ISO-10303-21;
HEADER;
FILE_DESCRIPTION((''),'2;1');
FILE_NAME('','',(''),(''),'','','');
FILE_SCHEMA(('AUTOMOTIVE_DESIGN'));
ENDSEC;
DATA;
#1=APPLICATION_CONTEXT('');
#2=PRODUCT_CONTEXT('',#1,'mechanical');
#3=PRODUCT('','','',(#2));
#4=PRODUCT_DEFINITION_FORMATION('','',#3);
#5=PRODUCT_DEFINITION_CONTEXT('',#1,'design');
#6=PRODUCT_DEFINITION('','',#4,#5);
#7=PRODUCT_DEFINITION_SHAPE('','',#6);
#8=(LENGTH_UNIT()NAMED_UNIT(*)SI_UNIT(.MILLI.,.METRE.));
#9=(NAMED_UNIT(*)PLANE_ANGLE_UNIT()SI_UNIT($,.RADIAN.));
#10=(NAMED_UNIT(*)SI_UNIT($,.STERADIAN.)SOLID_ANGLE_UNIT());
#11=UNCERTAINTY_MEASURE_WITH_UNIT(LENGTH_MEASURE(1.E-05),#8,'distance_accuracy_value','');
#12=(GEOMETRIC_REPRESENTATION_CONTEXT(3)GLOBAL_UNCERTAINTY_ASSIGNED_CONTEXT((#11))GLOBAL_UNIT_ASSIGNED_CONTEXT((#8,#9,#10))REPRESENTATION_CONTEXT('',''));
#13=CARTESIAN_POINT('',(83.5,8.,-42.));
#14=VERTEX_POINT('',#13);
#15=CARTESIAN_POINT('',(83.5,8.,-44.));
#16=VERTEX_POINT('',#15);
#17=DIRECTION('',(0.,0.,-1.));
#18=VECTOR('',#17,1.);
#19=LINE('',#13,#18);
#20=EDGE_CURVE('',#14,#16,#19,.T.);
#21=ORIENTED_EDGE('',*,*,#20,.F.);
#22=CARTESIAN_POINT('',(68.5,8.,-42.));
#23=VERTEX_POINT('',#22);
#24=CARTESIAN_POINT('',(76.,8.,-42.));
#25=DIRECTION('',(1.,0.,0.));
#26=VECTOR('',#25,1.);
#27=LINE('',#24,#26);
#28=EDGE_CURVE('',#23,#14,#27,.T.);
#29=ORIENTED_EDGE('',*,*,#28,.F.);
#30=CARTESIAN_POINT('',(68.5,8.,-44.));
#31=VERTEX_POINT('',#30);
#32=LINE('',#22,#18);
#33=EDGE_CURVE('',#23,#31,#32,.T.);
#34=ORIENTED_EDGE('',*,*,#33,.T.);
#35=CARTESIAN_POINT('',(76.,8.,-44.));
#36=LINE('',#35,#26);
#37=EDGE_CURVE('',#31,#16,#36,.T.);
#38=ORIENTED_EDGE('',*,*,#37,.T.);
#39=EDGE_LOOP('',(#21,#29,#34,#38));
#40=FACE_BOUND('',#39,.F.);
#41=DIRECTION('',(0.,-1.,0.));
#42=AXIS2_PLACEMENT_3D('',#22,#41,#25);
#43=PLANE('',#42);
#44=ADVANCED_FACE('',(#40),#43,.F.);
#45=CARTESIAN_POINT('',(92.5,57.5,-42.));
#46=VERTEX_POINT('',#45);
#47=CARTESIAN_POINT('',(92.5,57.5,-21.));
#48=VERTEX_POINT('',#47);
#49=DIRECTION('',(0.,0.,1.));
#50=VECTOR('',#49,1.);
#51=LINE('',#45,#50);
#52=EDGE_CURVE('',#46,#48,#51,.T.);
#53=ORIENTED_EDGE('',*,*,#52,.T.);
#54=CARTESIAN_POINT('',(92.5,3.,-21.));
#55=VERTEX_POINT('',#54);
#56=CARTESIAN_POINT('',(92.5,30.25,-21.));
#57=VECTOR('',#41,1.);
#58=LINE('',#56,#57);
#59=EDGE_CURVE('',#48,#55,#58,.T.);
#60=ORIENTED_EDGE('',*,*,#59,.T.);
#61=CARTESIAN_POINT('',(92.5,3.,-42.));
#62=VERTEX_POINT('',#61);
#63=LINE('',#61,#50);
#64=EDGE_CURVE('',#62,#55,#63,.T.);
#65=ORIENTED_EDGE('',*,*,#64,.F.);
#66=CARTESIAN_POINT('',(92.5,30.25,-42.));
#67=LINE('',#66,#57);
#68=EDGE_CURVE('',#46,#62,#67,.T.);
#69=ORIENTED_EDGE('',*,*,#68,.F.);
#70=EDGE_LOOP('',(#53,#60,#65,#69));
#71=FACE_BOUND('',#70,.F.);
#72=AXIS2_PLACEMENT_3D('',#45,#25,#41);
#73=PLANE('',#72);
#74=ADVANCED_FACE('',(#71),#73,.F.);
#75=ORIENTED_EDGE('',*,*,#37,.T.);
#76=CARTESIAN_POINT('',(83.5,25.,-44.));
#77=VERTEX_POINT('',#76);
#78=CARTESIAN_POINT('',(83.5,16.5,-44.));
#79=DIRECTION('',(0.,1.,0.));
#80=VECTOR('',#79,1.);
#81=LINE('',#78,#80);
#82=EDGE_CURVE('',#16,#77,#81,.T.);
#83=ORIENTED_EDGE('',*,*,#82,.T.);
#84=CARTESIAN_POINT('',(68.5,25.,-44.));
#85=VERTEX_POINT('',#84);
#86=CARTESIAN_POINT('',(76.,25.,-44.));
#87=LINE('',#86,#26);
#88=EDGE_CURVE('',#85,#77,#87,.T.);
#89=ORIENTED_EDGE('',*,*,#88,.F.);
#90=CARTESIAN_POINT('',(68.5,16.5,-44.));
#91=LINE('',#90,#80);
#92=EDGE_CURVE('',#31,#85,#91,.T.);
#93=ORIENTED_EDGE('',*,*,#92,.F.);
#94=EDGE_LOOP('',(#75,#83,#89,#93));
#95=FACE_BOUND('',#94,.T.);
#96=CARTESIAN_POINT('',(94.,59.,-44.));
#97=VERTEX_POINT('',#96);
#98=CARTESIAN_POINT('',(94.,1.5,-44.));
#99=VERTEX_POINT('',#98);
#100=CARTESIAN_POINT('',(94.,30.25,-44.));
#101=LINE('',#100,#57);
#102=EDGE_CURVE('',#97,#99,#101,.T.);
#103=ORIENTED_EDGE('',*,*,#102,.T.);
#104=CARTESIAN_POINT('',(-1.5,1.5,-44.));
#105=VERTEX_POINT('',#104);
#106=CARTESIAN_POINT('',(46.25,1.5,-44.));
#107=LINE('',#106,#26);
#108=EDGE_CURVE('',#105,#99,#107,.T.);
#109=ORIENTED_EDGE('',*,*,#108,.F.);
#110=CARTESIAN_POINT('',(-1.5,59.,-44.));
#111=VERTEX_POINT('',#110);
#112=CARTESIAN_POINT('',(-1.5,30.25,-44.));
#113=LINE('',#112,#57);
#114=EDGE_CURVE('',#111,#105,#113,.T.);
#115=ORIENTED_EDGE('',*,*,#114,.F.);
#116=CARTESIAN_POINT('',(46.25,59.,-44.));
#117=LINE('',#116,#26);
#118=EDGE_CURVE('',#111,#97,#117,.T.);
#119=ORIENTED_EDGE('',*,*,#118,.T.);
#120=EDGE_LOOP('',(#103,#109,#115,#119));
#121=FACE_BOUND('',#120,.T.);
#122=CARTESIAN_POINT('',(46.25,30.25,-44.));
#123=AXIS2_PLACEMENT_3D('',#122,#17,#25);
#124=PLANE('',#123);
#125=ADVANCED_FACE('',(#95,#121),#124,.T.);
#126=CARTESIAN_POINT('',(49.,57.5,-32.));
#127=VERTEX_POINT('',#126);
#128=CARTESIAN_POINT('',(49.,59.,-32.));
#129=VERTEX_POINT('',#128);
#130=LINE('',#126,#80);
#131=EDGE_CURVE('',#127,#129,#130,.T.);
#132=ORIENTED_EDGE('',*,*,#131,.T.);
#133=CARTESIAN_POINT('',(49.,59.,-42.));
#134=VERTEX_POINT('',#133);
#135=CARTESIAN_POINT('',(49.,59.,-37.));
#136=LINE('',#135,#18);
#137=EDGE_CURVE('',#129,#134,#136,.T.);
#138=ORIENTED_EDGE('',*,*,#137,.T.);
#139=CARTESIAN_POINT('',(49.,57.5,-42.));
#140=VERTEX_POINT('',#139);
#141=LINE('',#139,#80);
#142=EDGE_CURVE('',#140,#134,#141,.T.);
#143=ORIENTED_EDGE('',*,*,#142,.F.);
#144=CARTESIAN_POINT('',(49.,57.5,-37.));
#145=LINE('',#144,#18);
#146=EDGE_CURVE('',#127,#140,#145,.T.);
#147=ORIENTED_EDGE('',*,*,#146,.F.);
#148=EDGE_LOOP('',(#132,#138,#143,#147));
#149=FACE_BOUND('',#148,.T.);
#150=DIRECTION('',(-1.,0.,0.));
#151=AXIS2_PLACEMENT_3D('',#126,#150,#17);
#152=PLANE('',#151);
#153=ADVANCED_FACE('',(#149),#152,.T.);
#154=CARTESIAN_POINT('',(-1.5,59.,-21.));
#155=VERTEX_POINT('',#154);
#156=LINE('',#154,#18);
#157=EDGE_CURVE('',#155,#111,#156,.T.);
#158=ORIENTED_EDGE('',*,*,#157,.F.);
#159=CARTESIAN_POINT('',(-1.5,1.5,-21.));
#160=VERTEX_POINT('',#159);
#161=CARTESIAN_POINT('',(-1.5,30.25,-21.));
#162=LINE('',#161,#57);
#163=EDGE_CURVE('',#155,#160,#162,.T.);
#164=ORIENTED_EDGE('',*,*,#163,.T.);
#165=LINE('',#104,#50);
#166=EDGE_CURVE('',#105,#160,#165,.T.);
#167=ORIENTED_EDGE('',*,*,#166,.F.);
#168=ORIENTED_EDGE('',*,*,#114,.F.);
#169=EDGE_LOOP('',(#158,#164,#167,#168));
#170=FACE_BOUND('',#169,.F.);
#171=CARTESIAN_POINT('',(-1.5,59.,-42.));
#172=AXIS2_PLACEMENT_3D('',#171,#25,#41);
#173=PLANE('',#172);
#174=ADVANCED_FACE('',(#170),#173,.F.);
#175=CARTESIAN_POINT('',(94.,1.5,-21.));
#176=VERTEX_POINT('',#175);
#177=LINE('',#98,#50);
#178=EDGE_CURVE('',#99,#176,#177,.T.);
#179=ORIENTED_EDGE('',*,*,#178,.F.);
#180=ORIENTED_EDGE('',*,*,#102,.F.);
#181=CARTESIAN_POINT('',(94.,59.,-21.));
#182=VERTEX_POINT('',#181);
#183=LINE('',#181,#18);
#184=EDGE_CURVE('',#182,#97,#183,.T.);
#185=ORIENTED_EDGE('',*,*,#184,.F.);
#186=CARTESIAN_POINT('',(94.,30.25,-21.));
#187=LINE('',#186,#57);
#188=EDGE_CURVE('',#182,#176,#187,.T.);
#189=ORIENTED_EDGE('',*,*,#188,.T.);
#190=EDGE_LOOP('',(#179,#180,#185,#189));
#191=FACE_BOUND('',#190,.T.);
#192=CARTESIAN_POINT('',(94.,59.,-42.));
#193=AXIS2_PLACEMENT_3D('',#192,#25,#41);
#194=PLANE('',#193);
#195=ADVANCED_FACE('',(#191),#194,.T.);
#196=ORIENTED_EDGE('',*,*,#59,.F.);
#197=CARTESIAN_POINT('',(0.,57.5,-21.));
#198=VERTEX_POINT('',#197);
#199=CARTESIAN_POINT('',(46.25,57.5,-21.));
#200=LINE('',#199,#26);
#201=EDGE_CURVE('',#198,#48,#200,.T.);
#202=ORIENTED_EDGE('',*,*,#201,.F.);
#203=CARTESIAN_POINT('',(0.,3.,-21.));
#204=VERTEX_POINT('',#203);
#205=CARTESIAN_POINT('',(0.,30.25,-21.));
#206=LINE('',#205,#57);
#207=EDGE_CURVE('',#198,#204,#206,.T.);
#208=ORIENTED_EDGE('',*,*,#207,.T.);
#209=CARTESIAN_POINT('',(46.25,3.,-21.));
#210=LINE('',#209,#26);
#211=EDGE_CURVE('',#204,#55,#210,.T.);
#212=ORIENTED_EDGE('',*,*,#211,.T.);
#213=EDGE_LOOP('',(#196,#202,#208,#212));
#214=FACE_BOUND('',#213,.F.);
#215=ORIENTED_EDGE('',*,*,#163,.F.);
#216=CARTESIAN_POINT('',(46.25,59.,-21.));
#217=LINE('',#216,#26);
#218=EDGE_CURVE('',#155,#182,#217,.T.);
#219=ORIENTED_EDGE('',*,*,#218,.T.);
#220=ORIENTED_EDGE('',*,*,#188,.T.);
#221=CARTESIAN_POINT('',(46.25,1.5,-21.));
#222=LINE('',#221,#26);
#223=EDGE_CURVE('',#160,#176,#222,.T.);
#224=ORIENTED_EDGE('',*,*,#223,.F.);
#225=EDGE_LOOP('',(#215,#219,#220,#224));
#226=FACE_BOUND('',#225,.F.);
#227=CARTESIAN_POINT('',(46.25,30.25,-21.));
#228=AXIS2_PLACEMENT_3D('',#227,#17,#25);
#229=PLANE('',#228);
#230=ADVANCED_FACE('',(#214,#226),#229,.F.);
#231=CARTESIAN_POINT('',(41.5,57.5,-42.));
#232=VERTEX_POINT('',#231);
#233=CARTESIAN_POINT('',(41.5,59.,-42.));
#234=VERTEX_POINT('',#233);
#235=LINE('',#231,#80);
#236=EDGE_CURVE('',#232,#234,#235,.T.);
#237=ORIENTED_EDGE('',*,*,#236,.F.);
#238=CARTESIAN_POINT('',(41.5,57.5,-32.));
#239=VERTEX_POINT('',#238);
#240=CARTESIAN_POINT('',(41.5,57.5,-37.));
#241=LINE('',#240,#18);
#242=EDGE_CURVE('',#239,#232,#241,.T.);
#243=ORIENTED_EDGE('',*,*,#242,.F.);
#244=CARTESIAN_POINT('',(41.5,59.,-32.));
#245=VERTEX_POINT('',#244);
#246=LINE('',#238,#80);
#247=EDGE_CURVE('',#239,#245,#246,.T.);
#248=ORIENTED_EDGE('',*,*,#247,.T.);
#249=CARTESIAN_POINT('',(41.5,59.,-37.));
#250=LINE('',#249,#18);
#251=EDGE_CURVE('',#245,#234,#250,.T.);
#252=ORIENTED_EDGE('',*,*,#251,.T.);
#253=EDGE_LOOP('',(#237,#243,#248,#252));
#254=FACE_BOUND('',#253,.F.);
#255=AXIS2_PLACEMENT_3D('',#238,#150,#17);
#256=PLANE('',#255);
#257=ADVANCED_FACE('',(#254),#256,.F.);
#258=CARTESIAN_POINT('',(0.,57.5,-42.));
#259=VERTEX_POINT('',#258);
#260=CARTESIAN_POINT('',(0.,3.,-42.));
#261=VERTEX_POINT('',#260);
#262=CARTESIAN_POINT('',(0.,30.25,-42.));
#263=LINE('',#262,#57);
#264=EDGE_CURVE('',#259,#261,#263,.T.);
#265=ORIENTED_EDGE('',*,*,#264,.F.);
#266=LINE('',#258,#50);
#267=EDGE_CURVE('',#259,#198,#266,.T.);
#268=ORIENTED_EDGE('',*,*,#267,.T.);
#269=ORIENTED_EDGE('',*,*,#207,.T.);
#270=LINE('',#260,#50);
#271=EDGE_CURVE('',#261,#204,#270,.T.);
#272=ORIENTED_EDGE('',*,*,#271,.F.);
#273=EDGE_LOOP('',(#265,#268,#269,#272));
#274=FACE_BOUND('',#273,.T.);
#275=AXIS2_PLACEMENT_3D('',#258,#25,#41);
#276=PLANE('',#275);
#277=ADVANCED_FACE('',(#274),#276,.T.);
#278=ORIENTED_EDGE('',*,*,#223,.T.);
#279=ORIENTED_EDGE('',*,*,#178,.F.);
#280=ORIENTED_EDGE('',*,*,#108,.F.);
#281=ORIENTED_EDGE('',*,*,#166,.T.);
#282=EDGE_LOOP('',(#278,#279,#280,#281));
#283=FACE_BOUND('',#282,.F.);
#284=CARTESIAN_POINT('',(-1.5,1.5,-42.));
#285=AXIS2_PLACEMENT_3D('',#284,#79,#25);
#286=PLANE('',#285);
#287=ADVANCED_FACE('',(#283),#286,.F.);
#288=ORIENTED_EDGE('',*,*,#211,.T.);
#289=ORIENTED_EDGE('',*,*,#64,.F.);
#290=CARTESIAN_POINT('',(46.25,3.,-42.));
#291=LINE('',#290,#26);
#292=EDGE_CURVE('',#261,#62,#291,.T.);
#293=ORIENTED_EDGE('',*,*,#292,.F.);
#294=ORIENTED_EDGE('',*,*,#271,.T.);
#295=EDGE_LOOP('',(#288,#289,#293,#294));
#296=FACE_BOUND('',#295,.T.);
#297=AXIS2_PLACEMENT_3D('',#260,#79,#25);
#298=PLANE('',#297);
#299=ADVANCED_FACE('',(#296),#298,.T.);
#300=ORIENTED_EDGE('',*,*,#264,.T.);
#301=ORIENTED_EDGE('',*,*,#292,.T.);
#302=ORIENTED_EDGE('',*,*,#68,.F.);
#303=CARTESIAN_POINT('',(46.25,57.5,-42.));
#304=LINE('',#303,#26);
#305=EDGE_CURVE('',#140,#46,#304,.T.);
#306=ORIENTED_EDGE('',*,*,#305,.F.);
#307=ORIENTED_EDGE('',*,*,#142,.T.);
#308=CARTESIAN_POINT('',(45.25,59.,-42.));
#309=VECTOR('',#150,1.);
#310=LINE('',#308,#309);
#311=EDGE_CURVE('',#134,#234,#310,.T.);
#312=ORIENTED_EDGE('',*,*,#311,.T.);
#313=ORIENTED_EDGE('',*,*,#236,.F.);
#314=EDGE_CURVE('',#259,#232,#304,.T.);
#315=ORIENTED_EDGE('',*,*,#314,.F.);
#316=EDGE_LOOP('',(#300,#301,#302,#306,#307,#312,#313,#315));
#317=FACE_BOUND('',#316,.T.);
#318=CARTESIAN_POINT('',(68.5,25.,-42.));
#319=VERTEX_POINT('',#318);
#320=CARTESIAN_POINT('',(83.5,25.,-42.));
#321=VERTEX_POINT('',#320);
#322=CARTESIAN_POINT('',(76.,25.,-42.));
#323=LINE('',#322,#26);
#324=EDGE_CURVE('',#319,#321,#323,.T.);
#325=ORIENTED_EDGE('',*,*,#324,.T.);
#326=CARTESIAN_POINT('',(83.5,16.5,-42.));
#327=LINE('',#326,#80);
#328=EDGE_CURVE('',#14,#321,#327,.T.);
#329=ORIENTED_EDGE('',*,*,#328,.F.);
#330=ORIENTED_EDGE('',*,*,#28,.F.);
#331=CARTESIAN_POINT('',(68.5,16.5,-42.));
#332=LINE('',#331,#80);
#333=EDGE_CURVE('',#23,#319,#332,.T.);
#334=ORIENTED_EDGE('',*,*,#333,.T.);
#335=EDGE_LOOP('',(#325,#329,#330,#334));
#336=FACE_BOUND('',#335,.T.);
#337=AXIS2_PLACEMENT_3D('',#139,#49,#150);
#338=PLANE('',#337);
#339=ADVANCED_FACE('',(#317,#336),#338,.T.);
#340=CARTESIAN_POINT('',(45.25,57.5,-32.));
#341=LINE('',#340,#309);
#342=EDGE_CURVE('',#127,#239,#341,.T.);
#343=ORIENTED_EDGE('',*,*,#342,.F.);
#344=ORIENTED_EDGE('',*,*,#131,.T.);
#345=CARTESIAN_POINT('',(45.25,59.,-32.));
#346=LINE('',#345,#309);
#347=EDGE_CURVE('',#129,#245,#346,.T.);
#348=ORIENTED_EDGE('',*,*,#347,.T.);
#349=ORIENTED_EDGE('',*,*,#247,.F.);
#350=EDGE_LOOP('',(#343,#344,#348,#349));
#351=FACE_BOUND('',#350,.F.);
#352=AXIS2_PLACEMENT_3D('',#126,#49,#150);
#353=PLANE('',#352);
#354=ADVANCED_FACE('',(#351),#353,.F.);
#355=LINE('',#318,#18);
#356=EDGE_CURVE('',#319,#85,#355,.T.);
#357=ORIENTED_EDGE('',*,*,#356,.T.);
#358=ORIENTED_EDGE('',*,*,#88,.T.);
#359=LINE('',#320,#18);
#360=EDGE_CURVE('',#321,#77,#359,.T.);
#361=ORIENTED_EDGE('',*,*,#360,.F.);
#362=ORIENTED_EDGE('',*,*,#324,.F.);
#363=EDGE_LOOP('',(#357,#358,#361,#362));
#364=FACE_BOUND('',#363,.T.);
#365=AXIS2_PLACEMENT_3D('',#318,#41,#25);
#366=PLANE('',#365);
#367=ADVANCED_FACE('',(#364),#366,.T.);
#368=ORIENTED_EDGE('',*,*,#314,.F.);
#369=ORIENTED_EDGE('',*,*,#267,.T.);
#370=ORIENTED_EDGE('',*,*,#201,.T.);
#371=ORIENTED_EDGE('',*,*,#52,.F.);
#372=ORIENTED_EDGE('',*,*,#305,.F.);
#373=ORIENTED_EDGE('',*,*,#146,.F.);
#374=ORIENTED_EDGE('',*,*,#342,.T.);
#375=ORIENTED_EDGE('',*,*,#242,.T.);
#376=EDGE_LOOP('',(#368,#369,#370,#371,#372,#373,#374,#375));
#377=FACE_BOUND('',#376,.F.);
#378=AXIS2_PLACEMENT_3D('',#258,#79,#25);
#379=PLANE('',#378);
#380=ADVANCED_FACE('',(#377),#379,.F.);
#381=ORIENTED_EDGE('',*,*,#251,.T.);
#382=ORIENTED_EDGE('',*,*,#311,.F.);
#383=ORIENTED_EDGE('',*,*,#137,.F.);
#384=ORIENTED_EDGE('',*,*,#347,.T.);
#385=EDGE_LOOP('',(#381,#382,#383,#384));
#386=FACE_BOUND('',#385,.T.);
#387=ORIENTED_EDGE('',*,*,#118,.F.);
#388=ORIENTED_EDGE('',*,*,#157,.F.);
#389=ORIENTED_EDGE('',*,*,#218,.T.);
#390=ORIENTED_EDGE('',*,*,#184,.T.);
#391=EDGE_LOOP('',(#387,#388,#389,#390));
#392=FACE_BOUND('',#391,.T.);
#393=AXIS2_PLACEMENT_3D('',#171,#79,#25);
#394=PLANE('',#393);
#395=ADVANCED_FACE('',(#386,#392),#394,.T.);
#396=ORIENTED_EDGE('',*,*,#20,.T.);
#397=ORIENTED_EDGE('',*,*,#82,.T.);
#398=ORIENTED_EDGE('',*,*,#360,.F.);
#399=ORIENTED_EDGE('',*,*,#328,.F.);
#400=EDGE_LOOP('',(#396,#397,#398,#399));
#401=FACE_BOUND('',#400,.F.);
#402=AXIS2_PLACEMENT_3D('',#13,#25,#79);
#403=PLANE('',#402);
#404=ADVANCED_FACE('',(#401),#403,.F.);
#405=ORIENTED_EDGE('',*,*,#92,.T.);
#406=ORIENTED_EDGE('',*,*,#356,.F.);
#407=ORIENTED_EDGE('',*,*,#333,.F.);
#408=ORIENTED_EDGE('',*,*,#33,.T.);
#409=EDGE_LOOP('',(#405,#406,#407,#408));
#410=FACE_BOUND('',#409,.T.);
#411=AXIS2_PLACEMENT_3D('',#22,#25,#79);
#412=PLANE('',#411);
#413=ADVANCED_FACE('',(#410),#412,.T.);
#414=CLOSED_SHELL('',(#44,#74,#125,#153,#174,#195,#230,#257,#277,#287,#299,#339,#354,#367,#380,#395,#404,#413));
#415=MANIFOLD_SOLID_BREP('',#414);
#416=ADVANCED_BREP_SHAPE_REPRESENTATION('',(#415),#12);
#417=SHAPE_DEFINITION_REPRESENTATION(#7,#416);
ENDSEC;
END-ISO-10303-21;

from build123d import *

# Parameters (mm, degrees)
F0_W     = 95.5
F0_H     = 57.5
F0_W_2   = 92.5
F0_H_2   = 54.5
F0_W_3   = 90.5
F0_H_3   = 52.5
F1_DEPTH = 2
F2_DEPTH = 21
F3_W     = 7.5
F3_H     = 10
F4_DEPTH = 1.5
F5_W     = 15
F5_H     = 17
F6_DEPTH = 2
F7_ANGLE = 180


with BuildPart() as f1:
    # F0 (on Top) → F1 (new body)
    with BuildSketch(Plane.XY):
        with Locations((46.25, -27.25)):
            Rectangle(F0_W, F0_H)
        with Locations((46.25, -27.25)):
            Rectangle(F0_W_2, F0_H_2, mode=Mode.SUBTRACT)
        with Locations((46.25, -27.25)):
            Rectangle(F0_W_2, F0_H_2)
        with Locations((46.25, -27.25)):
            Rectangle(F0_W_3, F0_H_3, mode=Mode.SUBTRACT)
        with Locations((46.25, -27.25)):
            Rectangle(F0_W_3, F0_H_3)
    extrude(amount=F1_DEPTH)

    # F0 (on Top) → F2 (join)
    with BuildSketch(Plane.XY):
        with Locations((46.25, -27.25)):
            Rectangle(F0_W, F0_H)
        with Locations((46.25, -27.25)):
            Rectangle(F0_W_2, F0_H_2, mode=Mode.SUBTRACT)
    extrude(amount=-F2_DEPTH)

    # F3 (on face) → F4 (cut, through all)
    with BuildSketch(Plane(origin=(0, -54.5, 0), x_dir=(-1, 0, 0), z_dir=(0, 1, 0))):
        with Locations((-45.25, -5)):
            Rectangle(F3_W, F3_H)
    extrude(amount=-F4_DEPTH, mode=Mode.SUBTRACT)

    # F5 (on face) → F6 (cut, through all)
    with BuildSketch(Plane(origin=(0, 0, 0), x_dir=(1, 0, 0), z_dir=(0, 0, -1))):
        with Locations((76, 13.5)):
            Rectangle(F5_W, F5_H)
    extrude(amount=-F6_DEPTH, mode=Mode.SUBTRACT)


with BuildPart() as f1_1:
    # F7: moved
    add(f1.part.rotate(Axis((46.25, 1.5, -21), (1, 0, 0)), F7_ANGLE))


solid = f1_1.part
